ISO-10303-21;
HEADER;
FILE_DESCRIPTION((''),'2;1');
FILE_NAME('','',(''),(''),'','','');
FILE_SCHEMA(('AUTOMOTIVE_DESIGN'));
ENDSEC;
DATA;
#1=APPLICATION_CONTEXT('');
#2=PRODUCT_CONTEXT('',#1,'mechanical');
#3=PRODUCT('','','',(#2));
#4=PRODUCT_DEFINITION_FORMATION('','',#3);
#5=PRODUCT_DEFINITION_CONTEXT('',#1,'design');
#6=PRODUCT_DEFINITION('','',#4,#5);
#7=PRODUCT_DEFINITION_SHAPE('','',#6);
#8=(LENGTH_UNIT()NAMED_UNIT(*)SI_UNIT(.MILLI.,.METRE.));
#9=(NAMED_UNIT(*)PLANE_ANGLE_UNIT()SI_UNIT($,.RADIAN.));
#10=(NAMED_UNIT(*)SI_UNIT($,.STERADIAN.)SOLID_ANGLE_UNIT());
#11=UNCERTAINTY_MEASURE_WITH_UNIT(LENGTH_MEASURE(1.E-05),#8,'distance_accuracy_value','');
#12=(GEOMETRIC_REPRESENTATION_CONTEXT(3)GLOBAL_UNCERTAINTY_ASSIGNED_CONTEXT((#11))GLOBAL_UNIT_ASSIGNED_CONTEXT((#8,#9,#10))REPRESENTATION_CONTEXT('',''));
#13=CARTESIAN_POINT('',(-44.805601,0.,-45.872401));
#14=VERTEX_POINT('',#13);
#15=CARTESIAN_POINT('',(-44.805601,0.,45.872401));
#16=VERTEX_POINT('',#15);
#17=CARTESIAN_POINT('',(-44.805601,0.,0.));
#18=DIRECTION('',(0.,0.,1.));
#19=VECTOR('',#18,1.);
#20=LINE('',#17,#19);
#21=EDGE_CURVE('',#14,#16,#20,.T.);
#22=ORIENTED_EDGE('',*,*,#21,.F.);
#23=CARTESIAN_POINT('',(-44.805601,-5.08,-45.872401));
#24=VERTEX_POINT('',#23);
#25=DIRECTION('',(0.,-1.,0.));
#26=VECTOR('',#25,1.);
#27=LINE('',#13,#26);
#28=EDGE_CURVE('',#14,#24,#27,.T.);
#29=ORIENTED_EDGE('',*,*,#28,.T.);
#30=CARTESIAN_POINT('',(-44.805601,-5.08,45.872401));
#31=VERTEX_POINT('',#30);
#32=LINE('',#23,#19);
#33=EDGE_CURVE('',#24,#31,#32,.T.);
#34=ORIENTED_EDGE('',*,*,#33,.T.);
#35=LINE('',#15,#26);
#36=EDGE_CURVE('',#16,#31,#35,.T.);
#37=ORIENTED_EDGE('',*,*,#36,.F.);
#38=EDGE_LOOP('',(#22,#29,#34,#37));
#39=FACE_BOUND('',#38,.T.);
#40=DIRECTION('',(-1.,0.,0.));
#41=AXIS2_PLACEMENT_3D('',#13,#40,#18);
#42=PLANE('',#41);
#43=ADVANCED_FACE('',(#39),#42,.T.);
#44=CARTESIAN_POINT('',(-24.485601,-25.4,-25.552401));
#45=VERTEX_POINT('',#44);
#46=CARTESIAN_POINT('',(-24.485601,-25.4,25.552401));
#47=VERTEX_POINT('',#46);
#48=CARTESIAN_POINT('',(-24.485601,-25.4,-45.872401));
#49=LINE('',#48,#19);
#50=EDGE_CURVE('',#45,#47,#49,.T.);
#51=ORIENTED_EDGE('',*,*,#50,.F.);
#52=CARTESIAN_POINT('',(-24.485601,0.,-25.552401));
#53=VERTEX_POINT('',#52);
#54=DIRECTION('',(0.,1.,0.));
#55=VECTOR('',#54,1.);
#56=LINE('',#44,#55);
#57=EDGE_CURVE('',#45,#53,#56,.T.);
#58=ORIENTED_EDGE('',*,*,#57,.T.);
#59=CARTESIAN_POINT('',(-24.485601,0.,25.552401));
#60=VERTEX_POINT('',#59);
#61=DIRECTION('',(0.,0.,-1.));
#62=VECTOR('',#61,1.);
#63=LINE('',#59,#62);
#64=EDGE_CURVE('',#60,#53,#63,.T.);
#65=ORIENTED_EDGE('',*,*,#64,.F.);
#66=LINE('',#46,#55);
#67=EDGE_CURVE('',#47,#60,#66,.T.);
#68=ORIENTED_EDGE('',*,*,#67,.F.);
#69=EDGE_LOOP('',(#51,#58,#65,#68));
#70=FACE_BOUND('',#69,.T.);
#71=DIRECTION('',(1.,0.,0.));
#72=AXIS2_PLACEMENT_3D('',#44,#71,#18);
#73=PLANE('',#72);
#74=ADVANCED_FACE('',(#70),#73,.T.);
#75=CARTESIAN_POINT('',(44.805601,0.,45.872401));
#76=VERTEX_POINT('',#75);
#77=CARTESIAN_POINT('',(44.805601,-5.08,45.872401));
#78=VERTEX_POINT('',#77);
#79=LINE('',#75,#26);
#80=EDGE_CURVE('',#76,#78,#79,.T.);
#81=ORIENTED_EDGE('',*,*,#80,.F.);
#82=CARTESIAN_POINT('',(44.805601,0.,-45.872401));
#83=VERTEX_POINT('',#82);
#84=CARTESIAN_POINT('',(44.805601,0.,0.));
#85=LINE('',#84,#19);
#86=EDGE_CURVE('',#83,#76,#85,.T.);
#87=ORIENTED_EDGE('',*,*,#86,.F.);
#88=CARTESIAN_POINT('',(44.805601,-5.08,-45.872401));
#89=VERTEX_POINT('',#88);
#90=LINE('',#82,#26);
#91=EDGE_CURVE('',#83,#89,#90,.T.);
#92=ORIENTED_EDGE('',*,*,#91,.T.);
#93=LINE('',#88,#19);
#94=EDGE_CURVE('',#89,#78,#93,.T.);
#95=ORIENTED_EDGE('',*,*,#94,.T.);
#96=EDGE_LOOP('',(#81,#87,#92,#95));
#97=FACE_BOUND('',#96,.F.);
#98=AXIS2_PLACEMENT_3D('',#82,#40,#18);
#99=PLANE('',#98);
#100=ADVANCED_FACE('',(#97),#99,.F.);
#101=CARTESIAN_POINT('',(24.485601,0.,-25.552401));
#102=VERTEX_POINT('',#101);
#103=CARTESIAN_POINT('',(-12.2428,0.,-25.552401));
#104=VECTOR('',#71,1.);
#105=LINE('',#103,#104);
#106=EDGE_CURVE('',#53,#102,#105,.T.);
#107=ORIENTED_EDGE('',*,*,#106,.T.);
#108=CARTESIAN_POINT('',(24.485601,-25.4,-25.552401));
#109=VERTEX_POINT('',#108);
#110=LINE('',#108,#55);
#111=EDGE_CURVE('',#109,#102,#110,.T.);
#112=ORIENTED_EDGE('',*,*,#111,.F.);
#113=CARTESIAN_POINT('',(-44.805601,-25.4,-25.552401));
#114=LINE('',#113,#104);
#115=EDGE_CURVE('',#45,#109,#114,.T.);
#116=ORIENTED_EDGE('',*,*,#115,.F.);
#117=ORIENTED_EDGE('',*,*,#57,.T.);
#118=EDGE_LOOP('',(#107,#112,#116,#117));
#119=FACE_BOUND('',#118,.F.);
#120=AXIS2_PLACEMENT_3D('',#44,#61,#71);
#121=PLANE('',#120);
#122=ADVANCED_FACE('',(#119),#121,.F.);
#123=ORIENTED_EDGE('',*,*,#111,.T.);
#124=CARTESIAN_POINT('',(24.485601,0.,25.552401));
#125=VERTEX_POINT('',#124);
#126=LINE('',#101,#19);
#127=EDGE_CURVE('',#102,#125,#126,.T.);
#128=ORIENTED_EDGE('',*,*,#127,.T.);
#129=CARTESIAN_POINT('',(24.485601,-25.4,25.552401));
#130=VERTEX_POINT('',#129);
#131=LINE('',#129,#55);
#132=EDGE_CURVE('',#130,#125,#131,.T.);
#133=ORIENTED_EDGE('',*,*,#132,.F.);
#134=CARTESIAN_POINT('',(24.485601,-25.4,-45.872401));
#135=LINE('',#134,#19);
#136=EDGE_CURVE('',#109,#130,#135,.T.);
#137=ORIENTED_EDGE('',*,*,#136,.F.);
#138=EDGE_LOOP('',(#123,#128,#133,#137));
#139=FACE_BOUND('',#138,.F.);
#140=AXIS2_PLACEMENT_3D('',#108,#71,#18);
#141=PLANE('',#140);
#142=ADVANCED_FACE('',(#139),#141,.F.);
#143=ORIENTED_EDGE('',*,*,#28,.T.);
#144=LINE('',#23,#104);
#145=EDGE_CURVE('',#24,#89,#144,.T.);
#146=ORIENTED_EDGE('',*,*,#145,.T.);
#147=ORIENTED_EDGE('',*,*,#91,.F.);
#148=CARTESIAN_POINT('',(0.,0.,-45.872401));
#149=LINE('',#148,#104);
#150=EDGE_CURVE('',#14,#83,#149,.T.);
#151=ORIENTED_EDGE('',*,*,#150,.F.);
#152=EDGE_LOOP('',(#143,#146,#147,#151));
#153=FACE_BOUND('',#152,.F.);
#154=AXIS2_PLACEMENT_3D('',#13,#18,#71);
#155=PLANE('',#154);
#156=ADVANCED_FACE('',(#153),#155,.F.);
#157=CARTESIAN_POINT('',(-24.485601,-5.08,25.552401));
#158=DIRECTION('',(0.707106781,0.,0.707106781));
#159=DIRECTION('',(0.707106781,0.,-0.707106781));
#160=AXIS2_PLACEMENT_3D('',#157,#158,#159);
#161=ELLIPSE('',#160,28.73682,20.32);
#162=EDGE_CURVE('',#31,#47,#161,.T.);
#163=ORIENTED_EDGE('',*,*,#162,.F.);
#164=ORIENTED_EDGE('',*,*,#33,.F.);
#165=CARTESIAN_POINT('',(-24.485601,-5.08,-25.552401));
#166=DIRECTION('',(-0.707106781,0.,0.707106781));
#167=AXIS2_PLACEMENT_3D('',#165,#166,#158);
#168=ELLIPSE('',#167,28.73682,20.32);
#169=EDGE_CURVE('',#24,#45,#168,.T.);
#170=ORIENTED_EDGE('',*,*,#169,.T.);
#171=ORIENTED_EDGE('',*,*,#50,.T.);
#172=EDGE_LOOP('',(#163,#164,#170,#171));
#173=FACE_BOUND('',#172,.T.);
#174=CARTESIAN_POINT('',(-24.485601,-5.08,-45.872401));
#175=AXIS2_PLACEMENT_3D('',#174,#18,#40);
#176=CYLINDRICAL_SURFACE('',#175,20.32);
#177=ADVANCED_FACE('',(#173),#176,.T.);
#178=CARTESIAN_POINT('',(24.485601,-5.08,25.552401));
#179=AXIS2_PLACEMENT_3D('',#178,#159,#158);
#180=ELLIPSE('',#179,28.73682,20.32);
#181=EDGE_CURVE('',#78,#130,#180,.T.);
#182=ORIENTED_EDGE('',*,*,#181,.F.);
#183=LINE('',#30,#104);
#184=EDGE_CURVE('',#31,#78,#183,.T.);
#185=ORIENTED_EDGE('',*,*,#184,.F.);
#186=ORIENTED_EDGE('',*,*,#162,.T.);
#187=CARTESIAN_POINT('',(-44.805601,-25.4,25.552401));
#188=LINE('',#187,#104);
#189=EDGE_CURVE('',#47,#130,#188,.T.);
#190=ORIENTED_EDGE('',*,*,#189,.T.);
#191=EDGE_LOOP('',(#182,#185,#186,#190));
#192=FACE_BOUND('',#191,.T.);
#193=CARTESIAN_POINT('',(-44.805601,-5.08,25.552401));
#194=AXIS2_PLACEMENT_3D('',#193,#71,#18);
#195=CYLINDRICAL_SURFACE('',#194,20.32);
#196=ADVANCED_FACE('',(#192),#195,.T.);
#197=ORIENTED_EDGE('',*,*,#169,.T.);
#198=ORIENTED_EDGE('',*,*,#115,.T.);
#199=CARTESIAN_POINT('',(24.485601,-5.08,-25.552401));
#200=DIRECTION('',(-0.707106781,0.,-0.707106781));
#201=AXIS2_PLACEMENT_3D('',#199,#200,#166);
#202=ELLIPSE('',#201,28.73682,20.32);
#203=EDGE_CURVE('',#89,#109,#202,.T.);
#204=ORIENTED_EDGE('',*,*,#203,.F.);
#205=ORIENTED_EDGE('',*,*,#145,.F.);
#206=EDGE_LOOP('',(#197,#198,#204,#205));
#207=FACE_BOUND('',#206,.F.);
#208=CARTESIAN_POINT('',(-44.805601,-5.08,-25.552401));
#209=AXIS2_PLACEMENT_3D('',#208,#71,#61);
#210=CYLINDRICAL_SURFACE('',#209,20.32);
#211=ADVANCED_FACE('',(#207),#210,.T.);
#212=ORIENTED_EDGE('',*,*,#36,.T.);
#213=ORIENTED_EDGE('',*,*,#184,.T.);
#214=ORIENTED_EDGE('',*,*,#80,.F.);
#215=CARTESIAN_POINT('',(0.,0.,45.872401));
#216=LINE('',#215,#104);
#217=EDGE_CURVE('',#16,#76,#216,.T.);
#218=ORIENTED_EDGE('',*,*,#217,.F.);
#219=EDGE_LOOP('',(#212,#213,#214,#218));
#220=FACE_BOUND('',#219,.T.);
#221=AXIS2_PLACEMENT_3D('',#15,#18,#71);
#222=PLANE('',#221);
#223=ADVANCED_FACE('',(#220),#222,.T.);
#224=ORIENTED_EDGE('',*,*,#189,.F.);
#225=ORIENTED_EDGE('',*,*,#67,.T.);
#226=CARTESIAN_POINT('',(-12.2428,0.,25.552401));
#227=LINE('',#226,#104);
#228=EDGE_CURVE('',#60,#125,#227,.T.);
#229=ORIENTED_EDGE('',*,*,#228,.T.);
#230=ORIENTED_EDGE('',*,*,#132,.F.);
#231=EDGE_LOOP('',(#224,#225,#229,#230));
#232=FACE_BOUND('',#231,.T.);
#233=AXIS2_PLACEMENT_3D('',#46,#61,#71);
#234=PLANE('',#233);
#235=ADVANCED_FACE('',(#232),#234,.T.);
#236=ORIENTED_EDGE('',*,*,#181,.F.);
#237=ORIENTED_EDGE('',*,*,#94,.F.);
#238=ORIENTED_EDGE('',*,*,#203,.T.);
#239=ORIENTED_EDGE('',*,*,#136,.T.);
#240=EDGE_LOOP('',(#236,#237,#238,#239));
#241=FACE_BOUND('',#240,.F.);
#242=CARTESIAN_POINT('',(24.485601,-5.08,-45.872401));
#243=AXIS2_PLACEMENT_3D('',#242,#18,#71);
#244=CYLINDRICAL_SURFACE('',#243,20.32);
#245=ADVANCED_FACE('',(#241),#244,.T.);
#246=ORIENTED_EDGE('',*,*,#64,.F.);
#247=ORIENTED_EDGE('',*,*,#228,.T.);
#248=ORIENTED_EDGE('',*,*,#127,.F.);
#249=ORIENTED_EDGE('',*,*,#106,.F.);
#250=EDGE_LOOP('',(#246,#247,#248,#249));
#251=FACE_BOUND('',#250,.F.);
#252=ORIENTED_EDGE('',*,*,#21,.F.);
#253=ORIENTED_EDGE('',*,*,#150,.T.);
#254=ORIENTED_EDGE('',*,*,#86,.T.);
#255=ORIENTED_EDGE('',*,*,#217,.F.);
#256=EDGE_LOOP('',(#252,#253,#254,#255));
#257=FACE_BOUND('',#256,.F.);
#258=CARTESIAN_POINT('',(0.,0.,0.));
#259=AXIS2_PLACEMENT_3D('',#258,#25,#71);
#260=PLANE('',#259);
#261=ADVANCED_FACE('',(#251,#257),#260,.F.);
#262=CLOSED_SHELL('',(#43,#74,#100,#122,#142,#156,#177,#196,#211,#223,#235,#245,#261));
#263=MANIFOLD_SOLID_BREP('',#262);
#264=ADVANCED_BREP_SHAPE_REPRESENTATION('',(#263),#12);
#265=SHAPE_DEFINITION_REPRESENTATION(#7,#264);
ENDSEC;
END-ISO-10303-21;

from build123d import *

# Parameters (mm, degrees)
F0_W      = 89.611202
F0_H      = 91.744802
F1_DEPTH  = 25.4
F2_R      = 20.32
F3_W      = 49.377598
F3_H      = 50.9016
F1_FACE_W = 48.971202
F1_FACE_H = 51.104802
F4_DEPTH  = 127


with BuildPart() as f1:
    # F0 (on Front) → F1 (new body)
    with BuildSketch(Plane.XZ):
        Rectangle(F0_W, F0_H)
    extrude(amount=F1_DEPTH)

    # F2
    f2_edges = [f1.edges().sort_by_distance(p)[0] for p in [
        (44.805601, -25.4, 0),
        (0, -25.4, 45.872401),
        (-44.805601, -25.4, 0),
        (0, -25.4, -45.872401),
    ]]
    fillet(f2_edges, radius=F2_R)

    # F3 (on Front) + F1_face (on face) → F4 (cut)
    with BuildSketch(Plane.XZ):
        Rectangle(F3_W, F3_H)
    with BuildSketch(Plane.XZ.offset(25.4)):
        Rectangle(F1_FACE_W, F1_FACE_H)
    extrude(amount=-F4_DEPTH, mode=Mode.SUBTRACT)


solid = f1.part
